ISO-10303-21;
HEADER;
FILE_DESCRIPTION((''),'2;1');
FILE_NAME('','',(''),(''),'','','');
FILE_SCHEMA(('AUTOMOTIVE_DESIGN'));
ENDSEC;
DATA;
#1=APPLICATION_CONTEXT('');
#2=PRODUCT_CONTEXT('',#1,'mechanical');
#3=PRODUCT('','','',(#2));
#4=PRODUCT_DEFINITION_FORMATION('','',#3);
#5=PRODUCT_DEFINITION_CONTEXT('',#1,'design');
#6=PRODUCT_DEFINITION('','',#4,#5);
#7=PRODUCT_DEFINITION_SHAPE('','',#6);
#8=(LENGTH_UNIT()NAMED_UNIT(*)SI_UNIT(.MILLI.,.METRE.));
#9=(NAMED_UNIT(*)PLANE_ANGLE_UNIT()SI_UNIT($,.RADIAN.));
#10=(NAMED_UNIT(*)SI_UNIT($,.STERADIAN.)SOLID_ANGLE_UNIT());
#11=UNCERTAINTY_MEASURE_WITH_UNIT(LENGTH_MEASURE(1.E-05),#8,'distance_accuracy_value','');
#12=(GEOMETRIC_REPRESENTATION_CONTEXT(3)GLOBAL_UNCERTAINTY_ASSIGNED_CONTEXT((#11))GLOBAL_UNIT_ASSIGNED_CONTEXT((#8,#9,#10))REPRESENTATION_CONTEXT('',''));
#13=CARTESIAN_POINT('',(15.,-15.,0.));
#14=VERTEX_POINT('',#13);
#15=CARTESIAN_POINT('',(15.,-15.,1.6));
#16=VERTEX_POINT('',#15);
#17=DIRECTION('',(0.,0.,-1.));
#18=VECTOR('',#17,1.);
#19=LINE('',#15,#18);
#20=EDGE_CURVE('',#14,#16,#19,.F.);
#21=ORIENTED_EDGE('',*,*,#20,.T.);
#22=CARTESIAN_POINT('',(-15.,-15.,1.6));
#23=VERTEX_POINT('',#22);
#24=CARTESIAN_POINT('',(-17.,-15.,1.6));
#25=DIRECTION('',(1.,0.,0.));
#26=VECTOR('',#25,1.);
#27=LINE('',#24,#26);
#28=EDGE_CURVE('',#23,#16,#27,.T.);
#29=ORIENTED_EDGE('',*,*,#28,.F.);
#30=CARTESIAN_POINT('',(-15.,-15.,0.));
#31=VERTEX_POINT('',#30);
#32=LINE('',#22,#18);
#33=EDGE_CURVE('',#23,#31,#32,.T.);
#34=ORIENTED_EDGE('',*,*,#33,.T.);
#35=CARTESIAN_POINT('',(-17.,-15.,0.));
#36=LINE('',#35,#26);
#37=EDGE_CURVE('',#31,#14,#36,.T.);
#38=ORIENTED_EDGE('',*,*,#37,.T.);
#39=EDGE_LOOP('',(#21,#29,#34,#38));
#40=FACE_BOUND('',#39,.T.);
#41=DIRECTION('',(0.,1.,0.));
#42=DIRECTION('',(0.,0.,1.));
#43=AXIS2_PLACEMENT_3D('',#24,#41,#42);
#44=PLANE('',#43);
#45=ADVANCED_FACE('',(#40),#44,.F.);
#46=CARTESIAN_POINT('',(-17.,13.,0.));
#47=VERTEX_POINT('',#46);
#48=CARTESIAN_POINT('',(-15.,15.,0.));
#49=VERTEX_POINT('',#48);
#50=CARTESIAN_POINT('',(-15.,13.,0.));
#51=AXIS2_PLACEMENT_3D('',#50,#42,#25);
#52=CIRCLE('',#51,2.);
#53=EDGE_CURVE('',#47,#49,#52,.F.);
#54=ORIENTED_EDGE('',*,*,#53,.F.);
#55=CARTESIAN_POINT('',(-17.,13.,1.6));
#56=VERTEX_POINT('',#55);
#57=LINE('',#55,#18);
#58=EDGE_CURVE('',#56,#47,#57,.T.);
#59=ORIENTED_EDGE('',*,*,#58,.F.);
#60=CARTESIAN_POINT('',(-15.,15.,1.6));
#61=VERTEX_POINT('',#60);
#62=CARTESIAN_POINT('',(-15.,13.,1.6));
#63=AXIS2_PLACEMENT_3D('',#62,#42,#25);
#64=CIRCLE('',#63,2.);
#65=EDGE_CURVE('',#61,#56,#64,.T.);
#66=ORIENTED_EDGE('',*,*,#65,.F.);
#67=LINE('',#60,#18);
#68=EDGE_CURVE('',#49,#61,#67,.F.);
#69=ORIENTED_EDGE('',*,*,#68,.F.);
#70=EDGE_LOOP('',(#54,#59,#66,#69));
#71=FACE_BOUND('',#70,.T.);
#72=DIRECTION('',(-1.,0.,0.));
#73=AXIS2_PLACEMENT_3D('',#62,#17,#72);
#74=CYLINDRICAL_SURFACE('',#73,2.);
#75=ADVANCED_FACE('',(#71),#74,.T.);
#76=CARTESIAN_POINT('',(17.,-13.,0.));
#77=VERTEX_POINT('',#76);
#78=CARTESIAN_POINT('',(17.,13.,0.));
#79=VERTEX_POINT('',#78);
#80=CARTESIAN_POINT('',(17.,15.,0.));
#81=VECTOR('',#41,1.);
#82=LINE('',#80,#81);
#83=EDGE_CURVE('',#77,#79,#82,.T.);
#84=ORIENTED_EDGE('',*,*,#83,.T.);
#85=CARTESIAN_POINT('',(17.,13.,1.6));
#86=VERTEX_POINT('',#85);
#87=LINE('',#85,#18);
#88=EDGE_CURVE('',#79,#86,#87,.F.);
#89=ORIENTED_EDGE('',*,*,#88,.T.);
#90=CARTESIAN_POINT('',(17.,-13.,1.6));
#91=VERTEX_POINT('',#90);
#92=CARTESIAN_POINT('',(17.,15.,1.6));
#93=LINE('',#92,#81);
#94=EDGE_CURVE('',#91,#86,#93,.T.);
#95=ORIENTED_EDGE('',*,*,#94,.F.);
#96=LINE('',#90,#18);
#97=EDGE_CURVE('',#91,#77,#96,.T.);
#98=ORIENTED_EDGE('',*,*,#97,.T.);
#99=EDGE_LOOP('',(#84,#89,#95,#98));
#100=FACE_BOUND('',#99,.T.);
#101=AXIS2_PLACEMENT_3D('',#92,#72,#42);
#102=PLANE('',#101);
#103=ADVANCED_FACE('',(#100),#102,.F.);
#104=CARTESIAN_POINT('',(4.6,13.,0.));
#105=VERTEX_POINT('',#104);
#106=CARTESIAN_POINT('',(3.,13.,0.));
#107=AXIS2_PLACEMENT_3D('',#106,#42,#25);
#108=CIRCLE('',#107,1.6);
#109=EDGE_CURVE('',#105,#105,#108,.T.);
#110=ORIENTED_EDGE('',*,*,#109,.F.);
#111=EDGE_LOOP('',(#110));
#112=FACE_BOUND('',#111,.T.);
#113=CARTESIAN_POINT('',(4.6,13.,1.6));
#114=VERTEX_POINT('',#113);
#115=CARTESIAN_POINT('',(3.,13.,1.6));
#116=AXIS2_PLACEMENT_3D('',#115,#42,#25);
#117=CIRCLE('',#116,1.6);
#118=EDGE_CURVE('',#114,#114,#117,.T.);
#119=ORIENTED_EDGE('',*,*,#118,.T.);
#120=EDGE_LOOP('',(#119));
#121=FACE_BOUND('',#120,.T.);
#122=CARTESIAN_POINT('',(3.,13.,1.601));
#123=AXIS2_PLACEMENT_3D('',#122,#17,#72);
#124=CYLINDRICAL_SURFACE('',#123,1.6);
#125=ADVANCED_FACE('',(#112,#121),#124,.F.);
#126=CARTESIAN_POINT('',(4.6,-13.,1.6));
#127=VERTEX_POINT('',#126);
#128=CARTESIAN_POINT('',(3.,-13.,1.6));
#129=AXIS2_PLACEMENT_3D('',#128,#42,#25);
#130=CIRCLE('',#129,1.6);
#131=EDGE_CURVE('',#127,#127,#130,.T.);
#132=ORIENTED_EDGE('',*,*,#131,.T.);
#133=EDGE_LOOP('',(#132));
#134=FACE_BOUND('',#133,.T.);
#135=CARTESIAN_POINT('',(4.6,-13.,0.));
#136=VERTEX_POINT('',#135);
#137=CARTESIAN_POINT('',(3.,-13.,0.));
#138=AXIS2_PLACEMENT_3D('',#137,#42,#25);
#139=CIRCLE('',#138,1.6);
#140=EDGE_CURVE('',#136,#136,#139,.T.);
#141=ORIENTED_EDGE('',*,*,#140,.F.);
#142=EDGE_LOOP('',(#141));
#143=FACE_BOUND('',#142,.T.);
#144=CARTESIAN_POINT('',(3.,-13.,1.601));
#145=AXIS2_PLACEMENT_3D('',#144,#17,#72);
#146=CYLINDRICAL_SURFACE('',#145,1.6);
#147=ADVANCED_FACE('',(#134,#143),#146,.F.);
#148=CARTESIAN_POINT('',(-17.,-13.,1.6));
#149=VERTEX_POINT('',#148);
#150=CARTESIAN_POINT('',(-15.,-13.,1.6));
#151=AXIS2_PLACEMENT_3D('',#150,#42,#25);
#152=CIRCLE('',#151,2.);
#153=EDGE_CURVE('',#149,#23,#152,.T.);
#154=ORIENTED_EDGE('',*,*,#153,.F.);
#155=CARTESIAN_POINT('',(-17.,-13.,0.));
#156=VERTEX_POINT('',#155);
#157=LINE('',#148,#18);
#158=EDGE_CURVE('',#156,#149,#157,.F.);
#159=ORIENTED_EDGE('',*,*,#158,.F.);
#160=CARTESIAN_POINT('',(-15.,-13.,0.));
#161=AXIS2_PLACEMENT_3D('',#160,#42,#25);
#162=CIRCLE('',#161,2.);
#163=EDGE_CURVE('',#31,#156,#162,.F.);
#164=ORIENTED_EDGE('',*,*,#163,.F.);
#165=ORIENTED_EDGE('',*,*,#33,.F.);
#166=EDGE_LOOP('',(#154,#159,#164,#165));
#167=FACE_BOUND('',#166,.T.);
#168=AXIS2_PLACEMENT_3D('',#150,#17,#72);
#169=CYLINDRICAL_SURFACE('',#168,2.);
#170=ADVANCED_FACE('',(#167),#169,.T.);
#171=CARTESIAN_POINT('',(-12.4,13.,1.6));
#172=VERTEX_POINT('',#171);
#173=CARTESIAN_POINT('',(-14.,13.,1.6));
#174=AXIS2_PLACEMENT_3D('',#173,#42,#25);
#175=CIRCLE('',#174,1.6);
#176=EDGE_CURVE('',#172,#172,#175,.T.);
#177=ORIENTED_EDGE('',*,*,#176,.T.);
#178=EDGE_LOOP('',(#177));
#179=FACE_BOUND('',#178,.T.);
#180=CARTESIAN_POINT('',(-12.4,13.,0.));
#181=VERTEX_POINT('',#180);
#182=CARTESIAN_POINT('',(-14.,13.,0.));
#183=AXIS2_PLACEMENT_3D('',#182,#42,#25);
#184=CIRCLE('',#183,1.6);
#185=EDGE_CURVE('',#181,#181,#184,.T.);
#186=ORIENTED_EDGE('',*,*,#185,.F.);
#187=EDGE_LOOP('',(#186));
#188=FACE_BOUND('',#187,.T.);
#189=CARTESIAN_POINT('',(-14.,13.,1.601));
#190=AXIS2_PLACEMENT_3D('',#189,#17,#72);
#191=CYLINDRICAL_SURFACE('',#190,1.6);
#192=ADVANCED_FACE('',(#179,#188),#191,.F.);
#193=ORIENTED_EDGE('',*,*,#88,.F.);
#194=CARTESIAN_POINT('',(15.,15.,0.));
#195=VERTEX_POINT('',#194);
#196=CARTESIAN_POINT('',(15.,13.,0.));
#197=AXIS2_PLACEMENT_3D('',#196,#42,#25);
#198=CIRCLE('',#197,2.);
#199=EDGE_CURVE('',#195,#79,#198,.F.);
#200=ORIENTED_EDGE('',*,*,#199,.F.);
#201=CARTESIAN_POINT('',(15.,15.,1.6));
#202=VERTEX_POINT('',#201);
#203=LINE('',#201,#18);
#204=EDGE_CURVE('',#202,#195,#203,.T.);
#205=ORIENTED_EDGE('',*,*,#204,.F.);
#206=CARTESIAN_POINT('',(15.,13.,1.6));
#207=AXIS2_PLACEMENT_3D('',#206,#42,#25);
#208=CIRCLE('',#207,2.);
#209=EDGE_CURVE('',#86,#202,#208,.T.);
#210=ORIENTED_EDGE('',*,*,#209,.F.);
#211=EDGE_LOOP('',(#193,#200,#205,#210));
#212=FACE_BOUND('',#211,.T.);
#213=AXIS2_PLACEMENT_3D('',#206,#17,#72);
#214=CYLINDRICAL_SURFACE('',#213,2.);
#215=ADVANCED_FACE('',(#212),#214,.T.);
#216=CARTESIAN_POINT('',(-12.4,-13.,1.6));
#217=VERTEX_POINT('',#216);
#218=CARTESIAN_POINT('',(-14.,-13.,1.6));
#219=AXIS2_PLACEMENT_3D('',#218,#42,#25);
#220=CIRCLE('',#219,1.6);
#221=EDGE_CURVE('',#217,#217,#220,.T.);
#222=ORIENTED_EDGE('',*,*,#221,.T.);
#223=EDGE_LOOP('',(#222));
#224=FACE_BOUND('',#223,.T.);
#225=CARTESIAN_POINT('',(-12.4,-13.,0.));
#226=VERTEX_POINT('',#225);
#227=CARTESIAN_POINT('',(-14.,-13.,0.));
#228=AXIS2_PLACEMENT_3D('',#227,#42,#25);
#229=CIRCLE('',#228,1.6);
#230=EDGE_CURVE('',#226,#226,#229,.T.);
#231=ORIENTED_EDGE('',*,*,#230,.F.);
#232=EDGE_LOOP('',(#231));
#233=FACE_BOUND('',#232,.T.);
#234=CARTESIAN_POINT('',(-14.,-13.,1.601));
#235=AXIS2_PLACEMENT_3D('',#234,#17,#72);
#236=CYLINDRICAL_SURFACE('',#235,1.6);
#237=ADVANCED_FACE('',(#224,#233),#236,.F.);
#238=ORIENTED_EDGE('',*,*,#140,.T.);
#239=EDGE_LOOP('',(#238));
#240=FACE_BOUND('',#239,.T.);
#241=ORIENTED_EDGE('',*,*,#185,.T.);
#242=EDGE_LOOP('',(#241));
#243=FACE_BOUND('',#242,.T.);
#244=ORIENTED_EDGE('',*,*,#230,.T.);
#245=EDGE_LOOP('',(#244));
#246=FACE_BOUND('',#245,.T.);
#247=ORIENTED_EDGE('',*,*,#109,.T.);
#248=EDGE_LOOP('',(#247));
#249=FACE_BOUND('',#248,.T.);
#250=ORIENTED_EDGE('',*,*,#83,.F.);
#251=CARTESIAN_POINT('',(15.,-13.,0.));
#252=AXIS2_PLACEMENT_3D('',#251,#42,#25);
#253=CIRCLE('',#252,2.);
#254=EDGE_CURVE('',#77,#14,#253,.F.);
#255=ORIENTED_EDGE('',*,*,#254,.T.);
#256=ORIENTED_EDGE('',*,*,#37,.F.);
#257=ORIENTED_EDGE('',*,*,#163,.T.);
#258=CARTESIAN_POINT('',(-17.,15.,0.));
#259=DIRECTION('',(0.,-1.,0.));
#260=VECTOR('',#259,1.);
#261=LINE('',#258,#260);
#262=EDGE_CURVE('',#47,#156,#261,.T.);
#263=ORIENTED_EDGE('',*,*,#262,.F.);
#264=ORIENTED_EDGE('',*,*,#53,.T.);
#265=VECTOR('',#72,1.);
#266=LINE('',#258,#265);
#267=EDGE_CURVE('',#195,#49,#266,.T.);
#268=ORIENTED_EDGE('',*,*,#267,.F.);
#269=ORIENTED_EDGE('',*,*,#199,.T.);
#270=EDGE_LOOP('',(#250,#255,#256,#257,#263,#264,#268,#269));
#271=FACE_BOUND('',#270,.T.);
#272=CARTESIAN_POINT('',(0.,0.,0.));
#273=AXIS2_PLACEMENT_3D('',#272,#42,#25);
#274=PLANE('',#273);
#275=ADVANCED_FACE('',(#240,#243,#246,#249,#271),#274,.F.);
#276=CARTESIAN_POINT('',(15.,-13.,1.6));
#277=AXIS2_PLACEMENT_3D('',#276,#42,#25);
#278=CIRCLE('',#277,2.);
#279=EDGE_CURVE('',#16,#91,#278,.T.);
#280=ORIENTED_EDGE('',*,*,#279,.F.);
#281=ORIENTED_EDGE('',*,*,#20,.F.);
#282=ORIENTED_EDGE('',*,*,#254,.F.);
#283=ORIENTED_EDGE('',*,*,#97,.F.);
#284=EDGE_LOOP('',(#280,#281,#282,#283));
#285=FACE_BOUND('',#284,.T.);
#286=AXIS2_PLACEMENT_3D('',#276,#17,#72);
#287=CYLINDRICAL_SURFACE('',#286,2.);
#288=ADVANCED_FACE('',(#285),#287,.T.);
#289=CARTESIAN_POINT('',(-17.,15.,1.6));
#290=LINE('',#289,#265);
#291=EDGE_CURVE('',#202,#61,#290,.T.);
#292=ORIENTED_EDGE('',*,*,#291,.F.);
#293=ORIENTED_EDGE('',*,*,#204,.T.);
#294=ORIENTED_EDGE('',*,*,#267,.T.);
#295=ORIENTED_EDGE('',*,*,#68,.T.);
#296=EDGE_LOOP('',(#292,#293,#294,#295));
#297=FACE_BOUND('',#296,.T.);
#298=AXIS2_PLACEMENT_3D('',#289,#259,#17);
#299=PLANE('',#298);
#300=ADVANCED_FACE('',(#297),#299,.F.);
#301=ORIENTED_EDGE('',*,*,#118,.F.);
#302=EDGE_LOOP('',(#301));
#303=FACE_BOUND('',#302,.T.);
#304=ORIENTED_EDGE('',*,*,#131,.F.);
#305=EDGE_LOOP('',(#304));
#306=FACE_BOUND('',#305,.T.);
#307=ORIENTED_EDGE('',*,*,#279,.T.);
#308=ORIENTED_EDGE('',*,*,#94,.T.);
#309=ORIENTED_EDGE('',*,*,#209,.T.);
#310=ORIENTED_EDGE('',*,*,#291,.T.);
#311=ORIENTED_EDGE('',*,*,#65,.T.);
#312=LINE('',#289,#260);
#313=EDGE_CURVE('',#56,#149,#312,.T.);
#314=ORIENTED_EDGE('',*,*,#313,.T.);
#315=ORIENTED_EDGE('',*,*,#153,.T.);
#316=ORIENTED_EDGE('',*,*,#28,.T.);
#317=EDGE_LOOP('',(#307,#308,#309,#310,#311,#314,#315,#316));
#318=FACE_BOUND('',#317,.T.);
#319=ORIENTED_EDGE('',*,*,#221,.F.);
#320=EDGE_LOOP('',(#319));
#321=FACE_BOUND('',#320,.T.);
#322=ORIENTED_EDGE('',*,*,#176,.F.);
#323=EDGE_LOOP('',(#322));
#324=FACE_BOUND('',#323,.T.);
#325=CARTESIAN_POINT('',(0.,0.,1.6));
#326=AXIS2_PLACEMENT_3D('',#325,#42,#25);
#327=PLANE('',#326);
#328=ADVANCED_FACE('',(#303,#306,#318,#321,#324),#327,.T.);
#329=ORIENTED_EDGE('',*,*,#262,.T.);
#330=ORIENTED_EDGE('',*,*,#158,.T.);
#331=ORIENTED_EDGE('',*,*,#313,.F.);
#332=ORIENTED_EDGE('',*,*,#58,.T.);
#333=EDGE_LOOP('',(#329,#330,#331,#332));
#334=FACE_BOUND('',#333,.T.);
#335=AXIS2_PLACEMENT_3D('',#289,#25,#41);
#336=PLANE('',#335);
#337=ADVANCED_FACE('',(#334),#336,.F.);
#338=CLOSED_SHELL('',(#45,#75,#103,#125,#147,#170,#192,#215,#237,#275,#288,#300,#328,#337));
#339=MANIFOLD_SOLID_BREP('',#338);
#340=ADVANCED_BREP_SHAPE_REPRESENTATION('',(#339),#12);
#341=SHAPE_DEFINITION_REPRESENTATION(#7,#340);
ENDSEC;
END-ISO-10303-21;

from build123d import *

# Parameters (mm, degrees)
SKETCH1_W           = 34
SKETCH1_H           = 30
BOSS_EXTRUDE1_DEPTH = 1.6
CUT_EXTRUDE1_REACH  = 24.728
SKETCH2_R           = 1.6
FILLET1_R           = 2


with BuildPart() as part:
    # Sketch1 → Boss-Extrude1 (new body)
    with BuildSketch(Plane.XY):
        Rectangle(SKETCH1_W, SKETCH1_H)
    extrude(amount=BOSS_EXTRUDE1_DEPTH)

    # Sketch2 → Cut-Extrude1 (cut, up to next)
    with BuildSketch(Plane.XY, mode=Mode.PRIVATE) as cut_extrude1_sk1:
        with Locations((-14, 13)):
            Circle(SKETCH2_R)
    cut_extrude1_tool1 = extrude(cut_extrude1_sk1.sketch, amount=CUT_EXTRUDE1_REACH, mode=Mode.PRIVATE) & part.part
    # Sketch2 → Cut-Extrude1 (cut, up to next)
    with BuildSketch(Plane.XY, mode=Mode.PRIVATE) as cut_extrude1_sk2:
        with Locations((3, 13)):
            Circle(SKETCH2_R)
    cut_extrude1_tool2 = extrude(cut_extrude1_sk2.sketch, amount=CUT_EXTRUDE1_REACH, mode=Mode.PRIVATE) & part.part
    # Sketch2 → Cut-Extrude1 (cut, up to next)
    with BuildSketch(Plane.XY, mode=Mode.PRIVATE) as cut_extrude1_sk3:
        with Locations((3, -13)):
            Circle(SKETCH2_R)
    cut_extrude1_tool3 = extrude(cut_extrude1_sk3.sketch, amount=CUT_EXTRUDE1_REACH, mode=Mode.PRIVATE) & part.part
    # Sketch2 → Cut-Extrude1 (cut, up to next)
    with BuildSketch(Plane.XY, mode=Mode.PRIVATE) as cut_extrude1_sk4:
        with Locations((-14, -13)):
            Circle(SKETCH2_R)
    cut_extrude1_tool4 = extrude(cut_extrude1_sk4.sketch, amount=CUT_EXTRUDE1_REACH, mode=Mode.PRIVATE) & part.part
    add(cut_extrude1_tool1.solids().sort_by_distance((-14, 13, 0))[0], mode=Mode.SUBTRACT)
    add(cut_extrude1_tool2.solids().sort_by_distance((3, 13, 0))[0], mode=Mode.SUBTRACT)
    add(cut_extrude1_tool3.solids().sort_by_distance((3, -13, 0))[0], mode=Mode.SUBTRACT)
    add(cut_extrude1_tool4.solids().sort_by_distance((-14, -13, 0))[0], mode=Mode.SUBTRACT)

    # Fillet1
    fillet1_edges = [part.edges().sort_by_distance(p)[0] for p in [
        (17, -15, 0.8),
        (-17, -15, 0.8),
        (-17, 15, 0.8),
        (17, 15, 0.8),
    ]]
    fillet(fillet1_edges, radius=FILLET1_R)


solid = part.part
